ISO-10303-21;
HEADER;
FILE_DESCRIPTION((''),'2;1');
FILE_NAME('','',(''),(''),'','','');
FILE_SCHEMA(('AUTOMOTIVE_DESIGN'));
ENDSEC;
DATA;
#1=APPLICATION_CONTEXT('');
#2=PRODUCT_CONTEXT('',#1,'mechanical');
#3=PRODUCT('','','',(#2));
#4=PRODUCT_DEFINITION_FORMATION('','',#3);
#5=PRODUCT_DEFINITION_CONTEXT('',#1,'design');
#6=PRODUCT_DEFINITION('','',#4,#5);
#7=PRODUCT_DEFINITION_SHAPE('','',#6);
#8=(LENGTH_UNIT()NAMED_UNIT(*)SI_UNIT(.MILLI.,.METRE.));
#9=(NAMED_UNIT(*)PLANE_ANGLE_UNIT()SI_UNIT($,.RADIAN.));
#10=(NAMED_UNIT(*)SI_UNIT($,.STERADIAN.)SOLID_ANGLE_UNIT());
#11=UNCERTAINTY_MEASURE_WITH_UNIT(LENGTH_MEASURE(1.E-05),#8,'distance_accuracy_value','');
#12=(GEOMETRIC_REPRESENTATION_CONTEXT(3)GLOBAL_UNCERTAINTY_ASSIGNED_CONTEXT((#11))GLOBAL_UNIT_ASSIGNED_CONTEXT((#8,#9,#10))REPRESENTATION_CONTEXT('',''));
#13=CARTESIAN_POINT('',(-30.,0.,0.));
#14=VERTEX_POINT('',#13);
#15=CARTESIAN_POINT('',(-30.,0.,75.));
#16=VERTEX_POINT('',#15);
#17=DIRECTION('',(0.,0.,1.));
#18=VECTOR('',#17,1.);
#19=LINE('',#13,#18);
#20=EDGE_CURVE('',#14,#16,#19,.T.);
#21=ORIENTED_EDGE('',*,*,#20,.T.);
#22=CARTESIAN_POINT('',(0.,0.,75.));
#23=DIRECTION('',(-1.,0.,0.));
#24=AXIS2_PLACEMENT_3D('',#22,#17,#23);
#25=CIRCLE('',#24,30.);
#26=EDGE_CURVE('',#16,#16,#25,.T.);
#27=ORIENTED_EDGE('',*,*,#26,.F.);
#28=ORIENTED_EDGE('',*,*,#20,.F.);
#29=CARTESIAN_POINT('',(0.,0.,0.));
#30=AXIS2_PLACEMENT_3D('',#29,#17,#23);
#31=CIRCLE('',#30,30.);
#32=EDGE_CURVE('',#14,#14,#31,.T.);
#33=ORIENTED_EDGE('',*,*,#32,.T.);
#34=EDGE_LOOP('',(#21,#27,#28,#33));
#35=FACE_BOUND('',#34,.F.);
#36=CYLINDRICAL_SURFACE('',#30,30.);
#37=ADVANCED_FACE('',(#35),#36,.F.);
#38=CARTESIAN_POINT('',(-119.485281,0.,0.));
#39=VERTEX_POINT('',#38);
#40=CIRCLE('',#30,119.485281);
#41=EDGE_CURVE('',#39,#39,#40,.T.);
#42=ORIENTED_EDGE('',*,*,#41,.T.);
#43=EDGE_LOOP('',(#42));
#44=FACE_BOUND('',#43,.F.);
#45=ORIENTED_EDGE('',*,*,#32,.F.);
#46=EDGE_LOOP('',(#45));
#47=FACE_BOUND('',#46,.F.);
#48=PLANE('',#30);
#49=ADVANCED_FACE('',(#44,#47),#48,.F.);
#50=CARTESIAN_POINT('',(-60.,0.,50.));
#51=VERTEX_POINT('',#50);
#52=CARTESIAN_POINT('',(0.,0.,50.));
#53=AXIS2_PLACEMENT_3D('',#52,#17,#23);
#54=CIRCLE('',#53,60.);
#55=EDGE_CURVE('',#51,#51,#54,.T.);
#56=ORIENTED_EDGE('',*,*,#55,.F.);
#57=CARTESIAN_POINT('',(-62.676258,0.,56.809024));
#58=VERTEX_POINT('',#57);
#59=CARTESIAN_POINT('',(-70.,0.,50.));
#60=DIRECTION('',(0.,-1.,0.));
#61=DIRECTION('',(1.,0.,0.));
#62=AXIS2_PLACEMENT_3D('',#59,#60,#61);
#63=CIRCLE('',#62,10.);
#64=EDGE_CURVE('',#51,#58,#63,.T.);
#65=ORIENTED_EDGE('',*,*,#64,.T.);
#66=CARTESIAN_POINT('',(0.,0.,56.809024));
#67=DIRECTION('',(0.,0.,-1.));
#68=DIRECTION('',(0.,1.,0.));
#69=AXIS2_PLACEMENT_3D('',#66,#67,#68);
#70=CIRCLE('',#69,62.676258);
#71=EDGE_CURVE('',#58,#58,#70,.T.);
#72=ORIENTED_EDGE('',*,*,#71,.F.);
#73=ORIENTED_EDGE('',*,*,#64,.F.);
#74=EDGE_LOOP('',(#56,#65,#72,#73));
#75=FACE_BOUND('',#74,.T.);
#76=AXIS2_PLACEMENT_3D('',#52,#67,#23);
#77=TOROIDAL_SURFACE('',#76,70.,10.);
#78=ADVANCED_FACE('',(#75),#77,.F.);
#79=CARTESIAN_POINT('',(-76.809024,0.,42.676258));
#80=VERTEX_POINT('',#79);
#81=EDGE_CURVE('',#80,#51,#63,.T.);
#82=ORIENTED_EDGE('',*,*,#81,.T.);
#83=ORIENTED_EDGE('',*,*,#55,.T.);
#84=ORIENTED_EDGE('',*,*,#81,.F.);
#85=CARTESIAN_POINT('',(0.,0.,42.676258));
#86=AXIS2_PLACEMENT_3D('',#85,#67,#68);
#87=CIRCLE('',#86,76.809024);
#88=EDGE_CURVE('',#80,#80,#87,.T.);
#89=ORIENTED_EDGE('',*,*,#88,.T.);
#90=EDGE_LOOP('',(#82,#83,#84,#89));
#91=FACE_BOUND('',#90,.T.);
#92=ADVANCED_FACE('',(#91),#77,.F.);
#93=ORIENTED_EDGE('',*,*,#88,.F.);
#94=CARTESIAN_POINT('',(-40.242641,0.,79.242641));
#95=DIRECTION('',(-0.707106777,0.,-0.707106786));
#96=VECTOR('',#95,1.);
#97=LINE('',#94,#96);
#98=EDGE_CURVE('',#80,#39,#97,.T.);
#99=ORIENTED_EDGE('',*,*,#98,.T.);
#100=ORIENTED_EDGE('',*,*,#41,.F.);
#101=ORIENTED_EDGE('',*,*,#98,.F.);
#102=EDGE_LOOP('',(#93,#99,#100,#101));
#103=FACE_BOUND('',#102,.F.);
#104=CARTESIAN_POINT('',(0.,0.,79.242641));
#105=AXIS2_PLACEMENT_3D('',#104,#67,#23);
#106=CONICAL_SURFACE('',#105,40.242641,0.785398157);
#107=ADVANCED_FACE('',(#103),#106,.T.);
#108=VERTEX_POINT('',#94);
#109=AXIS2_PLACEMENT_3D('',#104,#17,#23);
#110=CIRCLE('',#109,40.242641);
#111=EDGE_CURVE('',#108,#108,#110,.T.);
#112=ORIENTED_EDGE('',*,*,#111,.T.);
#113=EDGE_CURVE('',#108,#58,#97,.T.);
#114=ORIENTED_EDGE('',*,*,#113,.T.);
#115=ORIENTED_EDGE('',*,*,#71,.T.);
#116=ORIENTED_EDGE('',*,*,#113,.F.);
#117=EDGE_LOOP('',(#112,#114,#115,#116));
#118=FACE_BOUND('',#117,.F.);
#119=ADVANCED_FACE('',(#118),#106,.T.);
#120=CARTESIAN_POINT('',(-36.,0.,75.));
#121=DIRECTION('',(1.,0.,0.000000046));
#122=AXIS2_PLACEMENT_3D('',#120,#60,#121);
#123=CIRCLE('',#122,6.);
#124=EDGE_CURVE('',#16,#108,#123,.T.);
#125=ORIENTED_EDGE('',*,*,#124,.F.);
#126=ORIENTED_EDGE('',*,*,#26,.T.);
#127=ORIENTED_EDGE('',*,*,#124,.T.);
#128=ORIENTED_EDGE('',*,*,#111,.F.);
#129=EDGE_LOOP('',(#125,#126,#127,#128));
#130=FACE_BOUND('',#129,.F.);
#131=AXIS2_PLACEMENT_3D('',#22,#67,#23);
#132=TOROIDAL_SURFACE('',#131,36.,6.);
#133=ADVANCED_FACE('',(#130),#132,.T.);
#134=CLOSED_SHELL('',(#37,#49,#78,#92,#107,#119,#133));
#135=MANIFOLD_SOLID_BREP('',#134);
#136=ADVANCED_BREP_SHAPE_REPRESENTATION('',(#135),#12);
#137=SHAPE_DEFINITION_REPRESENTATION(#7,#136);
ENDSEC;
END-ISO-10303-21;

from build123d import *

# Parameters (mm, degrees)
F2_R = 10


with BuildPart() as f1:
    # F0 (on Front) → F1 (revolve)
    with BuildSketch(Plane.XZ):
        with BuildLine():
            Line((-119.485281, 0), (-30, 0))
            Line((-30, 0), (-30, 75))
            ThreePointArc((-30, 75), (-33.703899, 80.543277), (-40.242641, 79.242641))
            Line((-40.242641, 79.242641), (-119.485281, 0))
        make_face()
    revolve(axis=Axis((0, 0, 64.130453), (0, 0, 1)))

    # F2 (on Front) → F3 (revolve, cut)
    with BuildSketch(Plane.XZ):
        with Locations((-70, 50)):
            Circle(F2_R)
    revolve(axis=Axis((0, 0, 64.130453), (0, 0, 1)), mode=Mode.SUBTRACT)


solid = f1.part
